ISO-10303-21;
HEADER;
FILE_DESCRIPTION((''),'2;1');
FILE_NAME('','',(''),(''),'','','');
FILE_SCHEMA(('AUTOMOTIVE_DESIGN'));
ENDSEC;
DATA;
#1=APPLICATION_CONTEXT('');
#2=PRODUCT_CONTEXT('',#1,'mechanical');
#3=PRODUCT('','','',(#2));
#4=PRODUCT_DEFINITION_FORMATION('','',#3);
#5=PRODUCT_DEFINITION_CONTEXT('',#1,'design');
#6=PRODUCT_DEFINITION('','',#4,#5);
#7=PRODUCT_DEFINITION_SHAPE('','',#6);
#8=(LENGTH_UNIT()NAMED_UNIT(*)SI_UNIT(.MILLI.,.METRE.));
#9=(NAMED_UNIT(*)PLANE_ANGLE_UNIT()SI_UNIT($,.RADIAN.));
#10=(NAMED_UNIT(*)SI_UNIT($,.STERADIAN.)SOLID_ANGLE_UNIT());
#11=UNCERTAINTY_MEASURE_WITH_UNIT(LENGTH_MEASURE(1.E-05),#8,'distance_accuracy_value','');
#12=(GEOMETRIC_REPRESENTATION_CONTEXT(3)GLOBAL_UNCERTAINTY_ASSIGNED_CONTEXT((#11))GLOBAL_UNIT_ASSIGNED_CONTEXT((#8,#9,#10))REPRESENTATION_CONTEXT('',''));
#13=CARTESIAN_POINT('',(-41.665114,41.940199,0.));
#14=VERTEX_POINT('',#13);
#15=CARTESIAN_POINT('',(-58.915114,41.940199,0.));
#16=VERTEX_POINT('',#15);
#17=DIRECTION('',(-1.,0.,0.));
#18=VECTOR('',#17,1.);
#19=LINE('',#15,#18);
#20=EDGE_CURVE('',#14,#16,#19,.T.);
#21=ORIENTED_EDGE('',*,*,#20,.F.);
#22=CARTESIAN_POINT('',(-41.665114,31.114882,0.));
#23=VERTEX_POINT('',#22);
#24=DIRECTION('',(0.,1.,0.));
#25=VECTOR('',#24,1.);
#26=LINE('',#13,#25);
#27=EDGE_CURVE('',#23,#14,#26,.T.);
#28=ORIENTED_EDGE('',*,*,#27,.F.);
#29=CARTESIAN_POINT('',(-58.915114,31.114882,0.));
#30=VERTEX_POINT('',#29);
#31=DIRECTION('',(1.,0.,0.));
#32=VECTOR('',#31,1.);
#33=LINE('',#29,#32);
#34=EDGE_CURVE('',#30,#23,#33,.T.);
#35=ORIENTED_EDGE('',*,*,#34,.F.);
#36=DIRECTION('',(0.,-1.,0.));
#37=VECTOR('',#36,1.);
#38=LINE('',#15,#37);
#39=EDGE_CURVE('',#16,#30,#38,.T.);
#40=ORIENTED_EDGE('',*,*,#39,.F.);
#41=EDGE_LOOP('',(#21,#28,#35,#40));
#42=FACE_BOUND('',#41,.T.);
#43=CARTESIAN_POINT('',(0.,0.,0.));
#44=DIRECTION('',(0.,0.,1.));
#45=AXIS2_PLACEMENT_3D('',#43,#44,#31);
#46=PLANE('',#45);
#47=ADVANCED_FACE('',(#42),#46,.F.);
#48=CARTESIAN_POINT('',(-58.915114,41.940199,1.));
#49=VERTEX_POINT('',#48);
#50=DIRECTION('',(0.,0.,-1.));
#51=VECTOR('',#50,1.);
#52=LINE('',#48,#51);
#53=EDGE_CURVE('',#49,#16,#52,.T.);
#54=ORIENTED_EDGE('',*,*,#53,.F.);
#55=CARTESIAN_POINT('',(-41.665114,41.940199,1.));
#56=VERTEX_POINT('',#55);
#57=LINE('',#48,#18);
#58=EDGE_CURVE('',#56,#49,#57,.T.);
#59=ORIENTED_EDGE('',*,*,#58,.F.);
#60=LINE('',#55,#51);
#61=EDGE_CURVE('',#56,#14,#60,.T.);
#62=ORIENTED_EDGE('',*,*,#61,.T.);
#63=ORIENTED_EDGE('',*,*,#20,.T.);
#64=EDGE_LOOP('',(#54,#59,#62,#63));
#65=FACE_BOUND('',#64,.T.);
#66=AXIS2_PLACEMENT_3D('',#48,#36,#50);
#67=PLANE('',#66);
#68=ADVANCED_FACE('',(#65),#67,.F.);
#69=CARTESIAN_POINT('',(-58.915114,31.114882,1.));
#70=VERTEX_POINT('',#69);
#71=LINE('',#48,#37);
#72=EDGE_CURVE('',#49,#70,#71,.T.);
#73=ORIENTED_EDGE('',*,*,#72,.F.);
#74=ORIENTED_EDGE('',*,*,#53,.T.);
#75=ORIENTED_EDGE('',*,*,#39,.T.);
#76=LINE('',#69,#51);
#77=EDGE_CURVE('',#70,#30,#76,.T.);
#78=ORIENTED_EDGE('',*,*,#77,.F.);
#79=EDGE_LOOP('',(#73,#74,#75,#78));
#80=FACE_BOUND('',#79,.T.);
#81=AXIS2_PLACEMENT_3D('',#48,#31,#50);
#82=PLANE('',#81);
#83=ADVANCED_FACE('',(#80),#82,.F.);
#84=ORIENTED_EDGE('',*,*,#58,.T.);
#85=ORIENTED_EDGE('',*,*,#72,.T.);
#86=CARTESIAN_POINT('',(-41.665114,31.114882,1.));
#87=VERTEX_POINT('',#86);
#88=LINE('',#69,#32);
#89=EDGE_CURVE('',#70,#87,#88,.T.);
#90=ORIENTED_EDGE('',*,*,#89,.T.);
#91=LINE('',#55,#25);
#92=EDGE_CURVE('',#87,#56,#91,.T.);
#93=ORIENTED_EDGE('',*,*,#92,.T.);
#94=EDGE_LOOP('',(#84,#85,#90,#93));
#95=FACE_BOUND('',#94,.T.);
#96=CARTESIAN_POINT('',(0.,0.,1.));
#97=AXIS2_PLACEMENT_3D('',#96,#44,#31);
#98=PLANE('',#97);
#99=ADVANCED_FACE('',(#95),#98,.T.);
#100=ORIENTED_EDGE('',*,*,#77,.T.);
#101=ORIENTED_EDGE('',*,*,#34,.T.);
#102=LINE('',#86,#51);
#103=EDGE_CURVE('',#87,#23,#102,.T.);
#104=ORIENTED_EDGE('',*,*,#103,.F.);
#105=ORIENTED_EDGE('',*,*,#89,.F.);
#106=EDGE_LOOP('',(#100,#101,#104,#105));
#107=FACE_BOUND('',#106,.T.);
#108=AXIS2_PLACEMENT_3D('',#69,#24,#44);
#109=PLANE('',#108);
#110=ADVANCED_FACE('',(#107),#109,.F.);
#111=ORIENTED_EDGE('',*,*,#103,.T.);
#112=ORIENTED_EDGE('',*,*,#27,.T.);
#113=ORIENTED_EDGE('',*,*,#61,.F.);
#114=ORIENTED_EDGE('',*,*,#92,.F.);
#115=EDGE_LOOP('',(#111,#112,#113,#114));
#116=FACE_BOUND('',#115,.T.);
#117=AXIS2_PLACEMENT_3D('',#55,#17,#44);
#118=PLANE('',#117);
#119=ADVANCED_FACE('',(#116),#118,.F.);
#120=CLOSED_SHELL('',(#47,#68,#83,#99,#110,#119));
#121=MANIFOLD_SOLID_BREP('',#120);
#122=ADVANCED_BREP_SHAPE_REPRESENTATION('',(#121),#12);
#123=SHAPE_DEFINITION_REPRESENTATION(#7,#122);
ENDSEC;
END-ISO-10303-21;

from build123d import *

# Parameters (mm, degrees)
ESBO_O1_W                = 17.25
ESBO_O1_H                = 10.825317547
RESSALTO_EXTRUS_O1_DEPTH = 1


with BuildPart() as part:
    # Esboço1 → Ressalto-extrusão1 (new body)
    with BuildSketch(Plane.XY):
        with Locations((-50.290114297, 36.527540492)):
            Rectangle(ESBO_O1_W, ESBO_O1_H)
    extrude(amount=RESSALTO_EXTRUS_O1_DEPTH)


solid = part.part
